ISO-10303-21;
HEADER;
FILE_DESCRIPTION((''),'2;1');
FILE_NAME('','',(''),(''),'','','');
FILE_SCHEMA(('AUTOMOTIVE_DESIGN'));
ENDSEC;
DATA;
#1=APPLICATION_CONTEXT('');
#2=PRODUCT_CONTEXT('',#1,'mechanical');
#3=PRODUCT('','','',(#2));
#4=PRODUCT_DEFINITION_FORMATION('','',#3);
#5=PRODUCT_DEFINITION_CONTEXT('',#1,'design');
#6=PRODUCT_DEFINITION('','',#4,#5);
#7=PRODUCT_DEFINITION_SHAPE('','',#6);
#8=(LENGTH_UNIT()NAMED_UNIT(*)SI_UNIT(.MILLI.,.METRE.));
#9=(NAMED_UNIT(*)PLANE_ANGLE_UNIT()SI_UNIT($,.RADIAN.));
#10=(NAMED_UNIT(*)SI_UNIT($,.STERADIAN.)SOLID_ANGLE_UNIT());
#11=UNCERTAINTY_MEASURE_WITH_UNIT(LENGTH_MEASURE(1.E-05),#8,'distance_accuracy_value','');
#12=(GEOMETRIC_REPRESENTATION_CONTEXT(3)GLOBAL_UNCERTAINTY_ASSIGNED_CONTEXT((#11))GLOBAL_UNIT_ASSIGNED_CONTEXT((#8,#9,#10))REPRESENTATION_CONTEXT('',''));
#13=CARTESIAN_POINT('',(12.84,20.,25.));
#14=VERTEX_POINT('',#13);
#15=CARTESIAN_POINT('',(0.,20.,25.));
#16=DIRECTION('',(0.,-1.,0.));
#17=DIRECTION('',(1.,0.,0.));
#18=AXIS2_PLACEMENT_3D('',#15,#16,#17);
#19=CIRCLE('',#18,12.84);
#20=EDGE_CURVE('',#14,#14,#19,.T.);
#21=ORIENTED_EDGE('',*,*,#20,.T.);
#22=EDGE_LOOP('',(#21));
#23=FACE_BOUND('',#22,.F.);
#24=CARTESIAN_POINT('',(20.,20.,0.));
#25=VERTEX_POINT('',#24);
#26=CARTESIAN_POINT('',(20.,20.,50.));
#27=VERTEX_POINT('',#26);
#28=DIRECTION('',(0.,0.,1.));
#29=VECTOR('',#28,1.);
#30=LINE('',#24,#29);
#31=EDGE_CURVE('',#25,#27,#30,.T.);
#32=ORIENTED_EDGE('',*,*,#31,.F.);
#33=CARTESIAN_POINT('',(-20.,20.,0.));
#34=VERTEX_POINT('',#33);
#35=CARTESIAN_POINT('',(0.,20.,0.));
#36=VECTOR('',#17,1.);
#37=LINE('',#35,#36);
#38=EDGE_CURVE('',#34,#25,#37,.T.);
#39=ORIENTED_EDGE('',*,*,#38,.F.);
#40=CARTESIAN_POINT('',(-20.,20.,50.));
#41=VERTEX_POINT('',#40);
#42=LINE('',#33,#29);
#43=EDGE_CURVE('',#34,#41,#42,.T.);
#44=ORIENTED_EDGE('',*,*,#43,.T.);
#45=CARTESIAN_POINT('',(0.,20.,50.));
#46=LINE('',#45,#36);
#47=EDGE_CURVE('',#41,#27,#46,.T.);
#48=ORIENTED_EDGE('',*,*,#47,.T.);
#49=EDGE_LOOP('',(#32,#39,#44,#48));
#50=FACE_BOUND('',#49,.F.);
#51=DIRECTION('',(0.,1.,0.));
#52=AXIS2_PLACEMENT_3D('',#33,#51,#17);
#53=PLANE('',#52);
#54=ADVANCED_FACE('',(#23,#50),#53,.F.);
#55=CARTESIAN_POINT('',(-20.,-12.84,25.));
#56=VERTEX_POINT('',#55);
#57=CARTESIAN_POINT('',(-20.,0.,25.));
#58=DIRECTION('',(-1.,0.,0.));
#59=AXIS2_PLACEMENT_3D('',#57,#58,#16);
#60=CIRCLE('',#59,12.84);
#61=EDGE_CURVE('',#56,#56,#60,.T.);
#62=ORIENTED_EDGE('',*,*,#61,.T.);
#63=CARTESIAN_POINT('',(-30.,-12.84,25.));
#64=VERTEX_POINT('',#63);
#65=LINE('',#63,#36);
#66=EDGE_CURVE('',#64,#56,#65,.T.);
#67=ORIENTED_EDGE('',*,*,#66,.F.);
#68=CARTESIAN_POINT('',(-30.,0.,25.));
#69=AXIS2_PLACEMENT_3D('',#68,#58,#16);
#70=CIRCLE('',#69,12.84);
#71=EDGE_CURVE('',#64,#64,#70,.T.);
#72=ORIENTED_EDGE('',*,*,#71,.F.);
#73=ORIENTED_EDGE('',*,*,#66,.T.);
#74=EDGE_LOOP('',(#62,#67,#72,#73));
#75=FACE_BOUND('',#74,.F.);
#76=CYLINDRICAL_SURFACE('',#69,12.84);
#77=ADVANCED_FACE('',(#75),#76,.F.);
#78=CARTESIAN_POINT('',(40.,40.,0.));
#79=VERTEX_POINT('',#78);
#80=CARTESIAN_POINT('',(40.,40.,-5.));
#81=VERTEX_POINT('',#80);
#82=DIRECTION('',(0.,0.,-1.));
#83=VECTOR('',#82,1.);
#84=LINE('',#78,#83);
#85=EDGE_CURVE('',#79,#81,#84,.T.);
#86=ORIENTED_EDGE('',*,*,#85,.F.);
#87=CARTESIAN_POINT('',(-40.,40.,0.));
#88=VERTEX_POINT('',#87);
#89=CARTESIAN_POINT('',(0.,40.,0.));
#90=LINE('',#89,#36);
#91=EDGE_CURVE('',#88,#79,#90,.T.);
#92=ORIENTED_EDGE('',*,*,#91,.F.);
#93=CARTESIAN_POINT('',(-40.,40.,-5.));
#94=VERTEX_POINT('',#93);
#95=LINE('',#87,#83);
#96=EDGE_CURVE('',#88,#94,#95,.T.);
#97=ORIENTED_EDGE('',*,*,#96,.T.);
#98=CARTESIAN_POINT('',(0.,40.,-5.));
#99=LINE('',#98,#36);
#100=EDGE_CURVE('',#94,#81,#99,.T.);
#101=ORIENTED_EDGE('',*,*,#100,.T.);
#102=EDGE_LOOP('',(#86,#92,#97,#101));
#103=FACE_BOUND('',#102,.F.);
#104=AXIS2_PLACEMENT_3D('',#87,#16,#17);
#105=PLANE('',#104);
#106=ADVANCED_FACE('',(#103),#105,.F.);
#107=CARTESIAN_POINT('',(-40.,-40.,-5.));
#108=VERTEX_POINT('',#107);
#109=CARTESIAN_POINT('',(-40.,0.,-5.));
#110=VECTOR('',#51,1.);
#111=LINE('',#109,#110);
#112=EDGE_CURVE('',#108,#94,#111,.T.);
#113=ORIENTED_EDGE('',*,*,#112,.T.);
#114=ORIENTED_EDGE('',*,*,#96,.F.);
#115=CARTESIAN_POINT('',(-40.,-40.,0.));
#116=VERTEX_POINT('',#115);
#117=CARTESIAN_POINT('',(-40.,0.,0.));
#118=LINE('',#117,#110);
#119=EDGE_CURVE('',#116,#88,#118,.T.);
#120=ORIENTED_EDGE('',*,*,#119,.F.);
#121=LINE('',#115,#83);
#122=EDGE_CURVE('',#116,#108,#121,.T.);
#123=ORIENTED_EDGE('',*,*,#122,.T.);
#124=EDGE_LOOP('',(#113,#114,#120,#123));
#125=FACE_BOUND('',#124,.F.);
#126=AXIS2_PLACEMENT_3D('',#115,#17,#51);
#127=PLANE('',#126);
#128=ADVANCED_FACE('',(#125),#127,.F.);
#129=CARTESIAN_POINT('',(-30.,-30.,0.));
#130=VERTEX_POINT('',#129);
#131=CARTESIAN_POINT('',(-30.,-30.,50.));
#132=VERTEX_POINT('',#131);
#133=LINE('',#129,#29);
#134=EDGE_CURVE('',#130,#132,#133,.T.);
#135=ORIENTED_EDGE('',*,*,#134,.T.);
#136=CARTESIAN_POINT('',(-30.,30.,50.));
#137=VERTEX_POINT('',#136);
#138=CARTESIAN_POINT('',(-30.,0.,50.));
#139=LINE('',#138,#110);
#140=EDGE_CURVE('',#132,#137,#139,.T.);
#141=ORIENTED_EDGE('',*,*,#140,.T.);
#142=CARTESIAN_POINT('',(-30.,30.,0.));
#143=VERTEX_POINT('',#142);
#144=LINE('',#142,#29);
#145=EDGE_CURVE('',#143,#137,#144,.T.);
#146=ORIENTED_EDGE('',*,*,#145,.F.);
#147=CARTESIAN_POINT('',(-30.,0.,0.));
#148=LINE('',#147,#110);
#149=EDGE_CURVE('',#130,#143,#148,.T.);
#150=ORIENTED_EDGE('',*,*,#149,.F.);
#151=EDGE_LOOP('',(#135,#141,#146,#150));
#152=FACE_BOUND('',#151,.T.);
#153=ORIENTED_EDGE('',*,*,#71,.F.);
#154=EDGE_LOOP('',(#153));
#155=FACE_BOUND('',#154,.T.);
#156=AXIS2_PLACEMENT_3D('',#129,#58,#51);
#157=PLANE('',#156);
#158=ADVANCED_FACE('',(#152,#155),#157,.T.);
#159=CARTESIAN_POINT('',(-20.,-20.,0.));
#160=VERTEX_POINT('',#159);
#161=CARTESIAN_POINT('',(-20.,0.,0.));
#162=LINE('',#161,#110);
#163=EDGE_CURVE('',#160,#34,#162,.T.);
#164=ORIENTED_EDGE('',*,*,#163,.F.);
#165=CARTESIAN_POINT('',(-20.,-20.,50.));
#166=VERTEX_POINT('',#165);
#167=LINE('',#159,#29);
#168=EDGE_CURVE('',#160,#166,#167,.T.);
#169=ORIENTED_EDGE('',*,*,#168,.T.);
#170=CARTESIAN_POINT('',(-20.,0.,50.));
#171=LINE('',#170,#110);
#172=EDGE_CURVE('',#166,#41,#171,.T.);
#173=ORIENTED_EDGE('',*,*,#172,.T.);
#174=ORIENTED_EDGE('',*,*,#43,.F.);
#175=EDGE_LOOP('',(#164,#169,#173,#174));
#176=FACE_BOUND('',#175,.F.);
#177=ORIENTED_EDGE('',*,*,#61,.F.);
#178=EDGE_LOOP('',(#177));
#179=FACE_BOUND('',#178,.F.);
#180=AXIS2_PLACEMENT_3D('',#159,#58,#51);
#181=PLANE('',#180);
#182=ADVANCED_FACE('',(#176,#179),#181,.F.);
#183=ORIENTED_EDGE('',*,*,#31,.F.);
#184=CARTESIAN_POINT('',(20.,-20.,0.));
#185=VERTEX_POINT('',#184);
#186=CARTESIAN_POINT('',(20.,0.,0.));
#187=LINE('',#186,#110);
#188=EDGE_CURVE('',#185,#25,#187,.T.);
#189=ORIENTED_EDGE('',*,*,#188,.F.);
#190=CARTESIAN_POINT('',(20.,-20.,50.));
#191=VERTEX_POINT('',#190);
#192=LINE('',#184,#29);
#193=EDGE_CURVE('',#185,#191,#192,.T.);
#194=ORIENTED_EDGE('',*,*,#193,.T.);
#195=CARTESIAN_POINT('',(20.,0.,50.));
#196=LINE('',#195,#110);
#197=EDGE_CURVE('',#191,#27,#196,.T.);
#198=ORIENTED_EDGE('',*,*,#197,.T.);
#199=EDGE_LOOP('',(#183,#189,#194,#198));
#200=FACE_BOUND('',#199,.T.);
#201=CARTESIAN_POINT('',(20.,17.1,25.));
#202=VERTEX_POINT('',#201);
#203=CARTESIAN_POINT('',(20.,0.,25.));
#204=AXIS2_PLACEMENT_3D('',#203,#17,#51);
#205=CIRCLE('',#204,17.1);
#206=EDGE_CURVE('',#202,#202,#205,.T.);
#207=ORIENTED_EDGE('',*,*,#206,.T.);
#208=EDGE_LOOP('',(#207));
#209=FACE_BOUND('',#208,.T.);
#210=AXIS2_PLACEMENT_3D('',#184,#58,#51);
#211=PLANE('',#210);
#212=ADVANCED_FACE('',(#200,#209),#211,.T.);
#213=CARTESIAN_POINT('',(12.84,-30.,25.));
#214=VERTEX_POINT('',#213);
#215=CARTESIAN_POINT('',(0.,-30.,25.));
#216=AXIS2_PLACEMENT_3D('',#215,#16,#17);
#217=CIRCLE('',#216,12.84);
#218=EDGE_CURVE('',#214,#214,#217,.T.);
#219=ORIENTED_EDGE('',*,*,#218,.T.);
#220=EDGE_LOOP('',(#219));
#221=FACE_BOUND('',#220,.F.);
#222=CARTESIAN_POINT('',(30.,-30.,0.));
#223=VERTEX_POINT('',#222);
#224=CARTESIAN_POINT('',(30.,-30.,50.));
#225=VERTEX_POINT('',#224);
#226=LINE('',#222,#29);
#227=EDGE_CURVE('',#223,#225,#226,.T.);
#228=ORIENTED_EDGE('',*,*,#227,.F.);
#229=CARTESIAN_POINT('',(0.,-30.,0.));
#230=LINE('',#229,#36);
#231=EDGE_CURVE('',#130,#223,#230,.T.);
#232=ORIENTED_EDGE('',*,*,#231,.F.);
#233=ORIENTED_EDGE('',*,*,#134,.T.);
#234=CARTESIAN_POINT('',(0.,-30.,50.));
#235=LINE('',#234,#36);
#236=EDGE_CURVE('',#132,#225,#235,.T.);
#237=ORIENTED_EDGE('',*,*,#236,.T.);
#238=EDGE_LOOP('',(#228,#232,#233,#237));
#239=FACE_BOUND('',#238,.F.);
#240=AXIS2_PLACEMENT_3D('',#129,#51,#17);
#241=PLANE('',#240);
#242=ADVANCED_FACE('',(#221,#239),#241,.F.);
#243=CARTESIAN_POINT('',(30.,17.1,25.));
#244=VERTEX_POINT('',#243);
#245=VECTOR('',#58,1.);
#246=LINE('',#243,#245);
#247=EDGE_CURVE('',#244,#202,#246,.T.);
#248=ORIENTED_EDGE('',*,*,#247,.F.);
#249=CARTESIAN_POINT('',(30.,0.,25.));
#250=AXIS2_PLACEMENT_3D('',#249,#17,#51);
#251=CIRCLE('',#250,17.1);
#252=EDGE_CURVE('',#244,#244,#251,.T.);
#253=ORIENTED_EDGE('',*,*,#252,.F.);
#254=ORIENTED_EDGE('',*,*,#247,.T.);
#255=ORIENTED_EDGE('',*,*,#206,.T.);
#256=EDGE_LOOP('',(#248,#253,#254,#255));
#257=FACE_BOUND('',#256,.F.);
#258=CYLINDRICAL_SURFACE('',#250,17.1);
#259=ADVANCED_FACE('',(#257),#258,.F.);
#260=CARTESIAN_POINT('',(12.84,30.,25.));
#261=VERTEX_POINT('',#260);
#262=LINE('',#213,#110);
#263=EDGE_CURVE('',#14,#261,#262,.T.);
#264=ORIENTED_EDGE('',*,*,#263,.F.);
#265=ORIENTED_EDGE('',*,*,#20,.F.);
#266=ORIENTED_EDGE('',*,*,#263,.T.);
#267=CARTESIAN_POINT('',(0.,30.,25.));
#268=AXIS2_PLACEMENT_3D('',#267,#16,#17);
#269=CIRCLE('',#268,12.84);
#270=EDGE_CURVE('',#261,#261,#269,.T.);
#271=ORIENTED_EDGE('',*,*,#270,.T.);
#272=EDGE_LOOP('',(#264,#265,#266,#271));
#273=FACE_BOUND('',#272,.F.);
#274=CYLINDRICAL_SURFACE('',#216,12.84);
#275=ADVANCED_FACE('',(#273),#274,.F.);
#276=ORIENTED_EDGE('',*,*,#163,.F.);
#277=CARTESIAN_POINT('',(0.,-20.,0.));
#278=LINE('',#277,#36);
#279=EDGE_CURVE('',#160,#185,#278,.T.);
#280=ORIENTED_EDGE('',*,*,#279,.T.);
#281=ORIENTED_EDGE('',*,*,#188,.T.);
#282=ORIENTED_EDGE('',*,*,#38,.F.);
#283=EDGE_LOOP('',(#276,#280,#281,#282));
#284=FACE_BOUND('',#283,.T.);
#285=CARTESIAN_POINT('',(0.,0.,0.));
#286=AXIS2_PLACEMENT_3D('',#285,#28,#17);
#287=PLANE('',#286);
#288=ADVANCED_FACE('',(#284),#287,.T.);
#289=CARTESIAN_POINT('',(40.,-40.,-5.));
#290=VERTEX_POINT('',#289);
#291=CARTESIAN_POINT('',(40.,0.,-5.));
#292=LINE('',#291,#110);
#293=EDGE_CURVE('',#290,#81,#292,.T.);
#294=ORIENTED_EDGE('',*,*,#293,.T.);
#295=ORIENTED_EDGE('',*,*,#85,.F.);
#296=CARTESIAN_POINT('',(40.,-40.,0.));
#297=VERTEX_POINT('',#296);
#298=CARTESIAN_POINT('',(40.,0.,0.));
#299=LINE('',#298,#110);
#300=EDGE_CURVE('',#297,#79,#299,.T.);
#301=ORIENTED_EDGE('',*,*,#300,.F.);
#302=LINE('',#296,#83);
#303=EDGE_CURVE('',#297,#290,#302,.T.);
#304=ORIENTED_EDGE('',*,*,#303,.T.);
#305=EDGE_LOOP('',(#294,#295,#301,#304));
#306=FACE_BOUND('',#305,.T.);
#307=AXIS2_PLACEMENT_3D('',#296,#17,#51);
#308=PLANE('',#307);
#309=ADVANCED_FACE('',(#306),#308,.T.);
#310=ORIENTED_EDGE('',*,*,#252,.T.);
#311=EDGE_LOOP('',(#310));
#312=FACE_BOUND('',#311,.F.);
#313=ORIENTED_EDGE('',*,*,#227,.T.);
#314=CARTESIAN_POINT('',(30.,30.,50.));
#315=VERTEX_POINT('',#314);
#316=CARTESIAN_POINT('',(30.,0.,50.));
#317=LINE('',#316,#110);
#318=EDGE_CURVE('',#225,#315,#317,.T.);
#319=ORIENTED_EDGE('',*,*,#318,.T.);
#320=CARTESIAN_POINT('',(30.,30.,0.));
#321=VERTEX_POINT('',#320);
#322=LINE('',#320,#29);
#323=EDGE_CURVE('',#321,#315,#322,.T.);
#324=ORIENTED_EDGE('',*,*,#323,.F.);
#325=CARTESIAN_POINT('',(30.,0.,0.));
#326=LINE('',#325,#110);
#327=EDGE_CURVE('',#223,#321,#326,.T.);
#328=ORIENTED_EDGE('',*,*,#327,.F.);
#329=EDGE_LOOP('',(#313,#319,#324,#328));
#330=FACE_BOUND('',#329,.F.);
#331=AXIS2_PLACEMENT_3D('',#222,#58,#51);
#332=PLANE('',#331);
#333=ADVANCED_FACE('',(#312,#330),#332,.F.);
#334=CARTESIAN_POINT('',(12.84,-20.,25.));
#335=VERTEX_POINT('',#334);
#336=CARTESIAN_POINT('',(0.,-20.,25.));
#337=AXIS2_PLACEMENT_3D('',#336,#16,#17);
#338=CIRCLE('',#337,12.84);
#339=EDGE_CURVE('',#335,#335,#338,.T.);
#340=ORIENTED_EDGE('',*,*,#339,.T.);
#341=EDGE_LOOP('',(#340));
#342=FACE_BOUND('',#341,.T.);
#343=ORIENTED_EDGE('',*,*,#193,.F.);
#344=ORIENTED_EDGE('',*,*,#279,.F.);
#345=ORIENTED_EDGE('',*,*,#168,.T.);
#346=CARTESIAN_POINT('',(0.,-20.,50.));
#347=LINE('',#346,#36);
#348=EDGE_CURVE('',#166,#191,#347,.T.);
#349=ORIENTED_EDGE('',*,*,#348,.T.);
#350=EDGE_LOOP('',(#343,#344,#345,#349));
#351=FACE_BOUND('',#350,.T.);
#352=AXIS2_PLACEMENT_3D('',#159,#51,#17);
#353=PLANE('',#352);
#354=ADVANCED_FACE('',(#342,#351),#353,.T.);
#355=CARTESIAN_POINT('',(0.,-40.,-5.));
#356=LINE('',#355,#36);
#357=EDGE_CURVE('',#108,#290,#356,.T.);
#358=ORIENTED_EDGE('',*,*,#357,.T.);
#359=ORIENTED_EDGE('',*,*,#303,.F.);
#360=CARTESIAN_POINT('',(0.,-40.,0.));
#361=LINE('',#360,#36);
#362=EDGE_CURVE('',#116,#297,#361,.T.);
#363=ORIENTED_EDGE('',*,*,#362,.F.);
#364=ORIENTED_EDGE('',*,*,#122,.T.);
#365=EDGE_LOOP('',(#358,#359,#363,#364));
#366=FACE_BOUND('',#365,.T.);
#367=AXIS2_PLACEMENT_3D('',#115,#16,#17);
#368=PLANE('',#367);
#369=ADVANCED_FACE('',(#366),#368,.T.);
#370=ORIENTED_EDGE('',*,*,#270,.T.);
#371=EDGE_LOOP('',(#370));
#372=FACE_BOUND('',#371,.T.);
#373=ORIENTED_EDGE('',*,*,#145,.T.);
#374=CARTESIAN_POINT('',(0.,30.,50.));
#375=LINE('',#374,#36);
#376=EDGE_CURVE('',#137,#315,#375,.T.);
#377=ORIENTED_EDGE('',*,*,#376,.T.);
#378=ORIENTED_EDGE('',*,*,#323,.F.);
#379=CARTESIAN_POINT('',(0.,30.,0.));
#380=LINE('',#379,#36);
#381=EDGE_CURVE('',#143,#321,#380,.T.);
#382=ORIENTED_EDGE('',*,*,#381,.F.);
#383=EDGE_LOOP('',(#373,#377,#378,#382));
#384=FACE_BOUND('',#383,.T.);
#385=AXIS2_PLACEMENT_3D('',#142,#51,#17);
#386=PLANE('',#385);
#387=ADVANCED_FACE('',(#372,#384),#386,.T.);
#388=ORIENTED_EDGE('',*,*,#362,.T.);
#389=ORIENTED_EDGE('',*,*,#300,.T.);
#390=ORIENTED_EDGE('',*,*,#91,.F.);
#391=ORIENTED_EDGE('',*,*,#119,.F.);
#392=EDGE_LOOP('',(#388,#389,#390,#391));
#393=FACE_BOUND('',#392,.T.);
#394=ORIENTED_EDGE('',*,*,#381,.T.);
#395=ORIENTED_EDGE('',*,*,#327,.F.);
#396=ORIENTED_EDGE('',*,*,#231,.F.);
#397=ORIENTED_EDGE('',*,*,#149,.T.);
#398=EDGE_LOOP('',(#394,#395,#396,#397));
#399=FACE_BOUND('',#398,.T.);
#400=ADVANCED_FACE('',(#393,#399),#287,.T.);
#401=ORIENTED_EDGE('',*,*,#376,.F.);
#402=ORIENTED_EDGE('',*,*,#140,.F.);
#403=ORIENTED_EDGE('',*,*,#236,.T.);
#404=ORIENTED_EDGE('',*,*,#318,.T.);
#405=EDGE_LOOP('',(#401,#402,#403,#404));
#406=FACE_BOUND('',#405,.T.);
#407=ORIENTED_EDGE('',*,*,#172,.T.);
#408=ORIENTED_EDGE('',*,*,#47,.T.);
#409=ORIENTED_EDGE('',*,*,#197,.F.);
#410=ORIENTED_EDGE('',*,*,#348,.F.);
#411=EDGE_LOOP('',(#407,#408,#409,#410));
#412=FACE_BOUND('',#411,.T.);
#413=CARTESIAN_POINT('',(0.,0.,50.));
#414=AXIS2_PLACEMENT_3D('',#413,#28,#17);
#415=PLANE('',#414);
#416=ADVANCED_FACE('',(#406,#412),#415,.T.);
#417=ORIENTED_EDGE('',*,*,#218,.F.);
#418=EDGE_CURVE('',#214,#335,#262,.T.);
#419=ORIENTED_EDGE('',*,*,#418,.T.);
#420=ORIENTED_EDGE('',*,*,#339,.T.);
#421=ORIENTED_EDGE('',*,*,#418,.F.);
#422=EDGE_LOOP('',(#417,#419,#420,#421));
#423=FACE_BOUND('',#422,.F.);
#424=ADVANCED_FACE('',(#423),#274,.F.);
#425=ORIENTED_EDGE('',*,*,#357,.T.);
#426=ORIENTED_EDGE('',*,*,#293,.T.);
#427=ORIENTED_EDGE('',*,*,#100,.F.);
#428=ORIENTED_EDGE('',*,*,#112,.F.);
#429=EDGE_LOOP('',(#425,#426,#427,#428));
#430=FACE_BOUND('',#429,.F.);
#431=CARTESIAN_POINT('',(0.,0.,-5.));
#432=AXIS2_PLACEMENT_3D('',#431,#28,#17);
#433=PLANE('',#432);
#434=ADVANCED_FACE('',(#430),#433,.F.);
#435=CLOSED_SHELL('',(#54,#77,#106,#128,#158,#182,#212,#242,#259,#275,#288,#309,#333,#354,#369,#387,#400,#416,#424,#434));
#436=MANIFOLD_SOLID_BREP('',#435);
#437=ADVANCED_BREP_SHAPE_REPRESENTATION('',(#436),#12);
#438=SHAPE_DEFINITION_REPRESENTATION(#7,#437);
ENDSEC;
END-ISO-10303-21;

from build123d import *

# Parameters (mm, degrees)
F0_W      = 60
F0_H      = 60
F2_DEPTH  = 50
F1_W      = 40
F1_H      = 40
F3_DEPTH  = 50
F4_R      = 12.84
F5_DEPTH  = 60
F6_R      = 12.84
F7_DEPTH  = 10
F8_R      = 17.1
F9_DEPTH  = 25
F10_W     = 80
F10_H     = 80
F11_DEPTH = 5


with BuildPart() as f2:
    # F0 (on Top) → F2 (new body)
    with BuildSketch(Plane.XY):
        Rectangle(F0_W, F0_H)
    extrude(amount=F2_DEPTH)

    # F1 (on Top) → F3 (cut)
    with BuildSketch(Plane.XY):
        Rectangle(F1_W, F1_H)
    extrude(amount=F3_DEPTH, mode=Mode.SUBTRACT)

    # F4 (on face) → F5 (cut)
    with BuildSketch(Plane.XZ.offset(30)):
        with Locations((0, 25)):
            Circle(F4_R)
    extrude(amount=-F5_DEPTH, mode=Mode.SUBTRACT)

    # F6 (on face) → F7 (cut)
    with BuildSketch(Plane(origin=(-30, 0, 0), x_dir=(0, -1, 0), z_dir=(-1, 0, 0))):
        with Locations((0, 25)):
            Circle(F6_R)
    extrude(amount=-F7_DEPTH, mode=Mode.SUBTRACT)

    # F8 (on face) → F9 (cut)
    with BuildSketch(Plane.YZ.offset(30)):
        with Locations((0, 25)):
            Circle(F8_R)
    extrude(amount=-F9_DEPTH, mode=Mode.SUBTRACT)

    # F10 (on Top) → F11 (join)
    with BuildSketch(Plane.XY):
        Rectangle(F10_W, F10_H)
    extrude(amount=-F11_DEPTH)


solid = f2.part
